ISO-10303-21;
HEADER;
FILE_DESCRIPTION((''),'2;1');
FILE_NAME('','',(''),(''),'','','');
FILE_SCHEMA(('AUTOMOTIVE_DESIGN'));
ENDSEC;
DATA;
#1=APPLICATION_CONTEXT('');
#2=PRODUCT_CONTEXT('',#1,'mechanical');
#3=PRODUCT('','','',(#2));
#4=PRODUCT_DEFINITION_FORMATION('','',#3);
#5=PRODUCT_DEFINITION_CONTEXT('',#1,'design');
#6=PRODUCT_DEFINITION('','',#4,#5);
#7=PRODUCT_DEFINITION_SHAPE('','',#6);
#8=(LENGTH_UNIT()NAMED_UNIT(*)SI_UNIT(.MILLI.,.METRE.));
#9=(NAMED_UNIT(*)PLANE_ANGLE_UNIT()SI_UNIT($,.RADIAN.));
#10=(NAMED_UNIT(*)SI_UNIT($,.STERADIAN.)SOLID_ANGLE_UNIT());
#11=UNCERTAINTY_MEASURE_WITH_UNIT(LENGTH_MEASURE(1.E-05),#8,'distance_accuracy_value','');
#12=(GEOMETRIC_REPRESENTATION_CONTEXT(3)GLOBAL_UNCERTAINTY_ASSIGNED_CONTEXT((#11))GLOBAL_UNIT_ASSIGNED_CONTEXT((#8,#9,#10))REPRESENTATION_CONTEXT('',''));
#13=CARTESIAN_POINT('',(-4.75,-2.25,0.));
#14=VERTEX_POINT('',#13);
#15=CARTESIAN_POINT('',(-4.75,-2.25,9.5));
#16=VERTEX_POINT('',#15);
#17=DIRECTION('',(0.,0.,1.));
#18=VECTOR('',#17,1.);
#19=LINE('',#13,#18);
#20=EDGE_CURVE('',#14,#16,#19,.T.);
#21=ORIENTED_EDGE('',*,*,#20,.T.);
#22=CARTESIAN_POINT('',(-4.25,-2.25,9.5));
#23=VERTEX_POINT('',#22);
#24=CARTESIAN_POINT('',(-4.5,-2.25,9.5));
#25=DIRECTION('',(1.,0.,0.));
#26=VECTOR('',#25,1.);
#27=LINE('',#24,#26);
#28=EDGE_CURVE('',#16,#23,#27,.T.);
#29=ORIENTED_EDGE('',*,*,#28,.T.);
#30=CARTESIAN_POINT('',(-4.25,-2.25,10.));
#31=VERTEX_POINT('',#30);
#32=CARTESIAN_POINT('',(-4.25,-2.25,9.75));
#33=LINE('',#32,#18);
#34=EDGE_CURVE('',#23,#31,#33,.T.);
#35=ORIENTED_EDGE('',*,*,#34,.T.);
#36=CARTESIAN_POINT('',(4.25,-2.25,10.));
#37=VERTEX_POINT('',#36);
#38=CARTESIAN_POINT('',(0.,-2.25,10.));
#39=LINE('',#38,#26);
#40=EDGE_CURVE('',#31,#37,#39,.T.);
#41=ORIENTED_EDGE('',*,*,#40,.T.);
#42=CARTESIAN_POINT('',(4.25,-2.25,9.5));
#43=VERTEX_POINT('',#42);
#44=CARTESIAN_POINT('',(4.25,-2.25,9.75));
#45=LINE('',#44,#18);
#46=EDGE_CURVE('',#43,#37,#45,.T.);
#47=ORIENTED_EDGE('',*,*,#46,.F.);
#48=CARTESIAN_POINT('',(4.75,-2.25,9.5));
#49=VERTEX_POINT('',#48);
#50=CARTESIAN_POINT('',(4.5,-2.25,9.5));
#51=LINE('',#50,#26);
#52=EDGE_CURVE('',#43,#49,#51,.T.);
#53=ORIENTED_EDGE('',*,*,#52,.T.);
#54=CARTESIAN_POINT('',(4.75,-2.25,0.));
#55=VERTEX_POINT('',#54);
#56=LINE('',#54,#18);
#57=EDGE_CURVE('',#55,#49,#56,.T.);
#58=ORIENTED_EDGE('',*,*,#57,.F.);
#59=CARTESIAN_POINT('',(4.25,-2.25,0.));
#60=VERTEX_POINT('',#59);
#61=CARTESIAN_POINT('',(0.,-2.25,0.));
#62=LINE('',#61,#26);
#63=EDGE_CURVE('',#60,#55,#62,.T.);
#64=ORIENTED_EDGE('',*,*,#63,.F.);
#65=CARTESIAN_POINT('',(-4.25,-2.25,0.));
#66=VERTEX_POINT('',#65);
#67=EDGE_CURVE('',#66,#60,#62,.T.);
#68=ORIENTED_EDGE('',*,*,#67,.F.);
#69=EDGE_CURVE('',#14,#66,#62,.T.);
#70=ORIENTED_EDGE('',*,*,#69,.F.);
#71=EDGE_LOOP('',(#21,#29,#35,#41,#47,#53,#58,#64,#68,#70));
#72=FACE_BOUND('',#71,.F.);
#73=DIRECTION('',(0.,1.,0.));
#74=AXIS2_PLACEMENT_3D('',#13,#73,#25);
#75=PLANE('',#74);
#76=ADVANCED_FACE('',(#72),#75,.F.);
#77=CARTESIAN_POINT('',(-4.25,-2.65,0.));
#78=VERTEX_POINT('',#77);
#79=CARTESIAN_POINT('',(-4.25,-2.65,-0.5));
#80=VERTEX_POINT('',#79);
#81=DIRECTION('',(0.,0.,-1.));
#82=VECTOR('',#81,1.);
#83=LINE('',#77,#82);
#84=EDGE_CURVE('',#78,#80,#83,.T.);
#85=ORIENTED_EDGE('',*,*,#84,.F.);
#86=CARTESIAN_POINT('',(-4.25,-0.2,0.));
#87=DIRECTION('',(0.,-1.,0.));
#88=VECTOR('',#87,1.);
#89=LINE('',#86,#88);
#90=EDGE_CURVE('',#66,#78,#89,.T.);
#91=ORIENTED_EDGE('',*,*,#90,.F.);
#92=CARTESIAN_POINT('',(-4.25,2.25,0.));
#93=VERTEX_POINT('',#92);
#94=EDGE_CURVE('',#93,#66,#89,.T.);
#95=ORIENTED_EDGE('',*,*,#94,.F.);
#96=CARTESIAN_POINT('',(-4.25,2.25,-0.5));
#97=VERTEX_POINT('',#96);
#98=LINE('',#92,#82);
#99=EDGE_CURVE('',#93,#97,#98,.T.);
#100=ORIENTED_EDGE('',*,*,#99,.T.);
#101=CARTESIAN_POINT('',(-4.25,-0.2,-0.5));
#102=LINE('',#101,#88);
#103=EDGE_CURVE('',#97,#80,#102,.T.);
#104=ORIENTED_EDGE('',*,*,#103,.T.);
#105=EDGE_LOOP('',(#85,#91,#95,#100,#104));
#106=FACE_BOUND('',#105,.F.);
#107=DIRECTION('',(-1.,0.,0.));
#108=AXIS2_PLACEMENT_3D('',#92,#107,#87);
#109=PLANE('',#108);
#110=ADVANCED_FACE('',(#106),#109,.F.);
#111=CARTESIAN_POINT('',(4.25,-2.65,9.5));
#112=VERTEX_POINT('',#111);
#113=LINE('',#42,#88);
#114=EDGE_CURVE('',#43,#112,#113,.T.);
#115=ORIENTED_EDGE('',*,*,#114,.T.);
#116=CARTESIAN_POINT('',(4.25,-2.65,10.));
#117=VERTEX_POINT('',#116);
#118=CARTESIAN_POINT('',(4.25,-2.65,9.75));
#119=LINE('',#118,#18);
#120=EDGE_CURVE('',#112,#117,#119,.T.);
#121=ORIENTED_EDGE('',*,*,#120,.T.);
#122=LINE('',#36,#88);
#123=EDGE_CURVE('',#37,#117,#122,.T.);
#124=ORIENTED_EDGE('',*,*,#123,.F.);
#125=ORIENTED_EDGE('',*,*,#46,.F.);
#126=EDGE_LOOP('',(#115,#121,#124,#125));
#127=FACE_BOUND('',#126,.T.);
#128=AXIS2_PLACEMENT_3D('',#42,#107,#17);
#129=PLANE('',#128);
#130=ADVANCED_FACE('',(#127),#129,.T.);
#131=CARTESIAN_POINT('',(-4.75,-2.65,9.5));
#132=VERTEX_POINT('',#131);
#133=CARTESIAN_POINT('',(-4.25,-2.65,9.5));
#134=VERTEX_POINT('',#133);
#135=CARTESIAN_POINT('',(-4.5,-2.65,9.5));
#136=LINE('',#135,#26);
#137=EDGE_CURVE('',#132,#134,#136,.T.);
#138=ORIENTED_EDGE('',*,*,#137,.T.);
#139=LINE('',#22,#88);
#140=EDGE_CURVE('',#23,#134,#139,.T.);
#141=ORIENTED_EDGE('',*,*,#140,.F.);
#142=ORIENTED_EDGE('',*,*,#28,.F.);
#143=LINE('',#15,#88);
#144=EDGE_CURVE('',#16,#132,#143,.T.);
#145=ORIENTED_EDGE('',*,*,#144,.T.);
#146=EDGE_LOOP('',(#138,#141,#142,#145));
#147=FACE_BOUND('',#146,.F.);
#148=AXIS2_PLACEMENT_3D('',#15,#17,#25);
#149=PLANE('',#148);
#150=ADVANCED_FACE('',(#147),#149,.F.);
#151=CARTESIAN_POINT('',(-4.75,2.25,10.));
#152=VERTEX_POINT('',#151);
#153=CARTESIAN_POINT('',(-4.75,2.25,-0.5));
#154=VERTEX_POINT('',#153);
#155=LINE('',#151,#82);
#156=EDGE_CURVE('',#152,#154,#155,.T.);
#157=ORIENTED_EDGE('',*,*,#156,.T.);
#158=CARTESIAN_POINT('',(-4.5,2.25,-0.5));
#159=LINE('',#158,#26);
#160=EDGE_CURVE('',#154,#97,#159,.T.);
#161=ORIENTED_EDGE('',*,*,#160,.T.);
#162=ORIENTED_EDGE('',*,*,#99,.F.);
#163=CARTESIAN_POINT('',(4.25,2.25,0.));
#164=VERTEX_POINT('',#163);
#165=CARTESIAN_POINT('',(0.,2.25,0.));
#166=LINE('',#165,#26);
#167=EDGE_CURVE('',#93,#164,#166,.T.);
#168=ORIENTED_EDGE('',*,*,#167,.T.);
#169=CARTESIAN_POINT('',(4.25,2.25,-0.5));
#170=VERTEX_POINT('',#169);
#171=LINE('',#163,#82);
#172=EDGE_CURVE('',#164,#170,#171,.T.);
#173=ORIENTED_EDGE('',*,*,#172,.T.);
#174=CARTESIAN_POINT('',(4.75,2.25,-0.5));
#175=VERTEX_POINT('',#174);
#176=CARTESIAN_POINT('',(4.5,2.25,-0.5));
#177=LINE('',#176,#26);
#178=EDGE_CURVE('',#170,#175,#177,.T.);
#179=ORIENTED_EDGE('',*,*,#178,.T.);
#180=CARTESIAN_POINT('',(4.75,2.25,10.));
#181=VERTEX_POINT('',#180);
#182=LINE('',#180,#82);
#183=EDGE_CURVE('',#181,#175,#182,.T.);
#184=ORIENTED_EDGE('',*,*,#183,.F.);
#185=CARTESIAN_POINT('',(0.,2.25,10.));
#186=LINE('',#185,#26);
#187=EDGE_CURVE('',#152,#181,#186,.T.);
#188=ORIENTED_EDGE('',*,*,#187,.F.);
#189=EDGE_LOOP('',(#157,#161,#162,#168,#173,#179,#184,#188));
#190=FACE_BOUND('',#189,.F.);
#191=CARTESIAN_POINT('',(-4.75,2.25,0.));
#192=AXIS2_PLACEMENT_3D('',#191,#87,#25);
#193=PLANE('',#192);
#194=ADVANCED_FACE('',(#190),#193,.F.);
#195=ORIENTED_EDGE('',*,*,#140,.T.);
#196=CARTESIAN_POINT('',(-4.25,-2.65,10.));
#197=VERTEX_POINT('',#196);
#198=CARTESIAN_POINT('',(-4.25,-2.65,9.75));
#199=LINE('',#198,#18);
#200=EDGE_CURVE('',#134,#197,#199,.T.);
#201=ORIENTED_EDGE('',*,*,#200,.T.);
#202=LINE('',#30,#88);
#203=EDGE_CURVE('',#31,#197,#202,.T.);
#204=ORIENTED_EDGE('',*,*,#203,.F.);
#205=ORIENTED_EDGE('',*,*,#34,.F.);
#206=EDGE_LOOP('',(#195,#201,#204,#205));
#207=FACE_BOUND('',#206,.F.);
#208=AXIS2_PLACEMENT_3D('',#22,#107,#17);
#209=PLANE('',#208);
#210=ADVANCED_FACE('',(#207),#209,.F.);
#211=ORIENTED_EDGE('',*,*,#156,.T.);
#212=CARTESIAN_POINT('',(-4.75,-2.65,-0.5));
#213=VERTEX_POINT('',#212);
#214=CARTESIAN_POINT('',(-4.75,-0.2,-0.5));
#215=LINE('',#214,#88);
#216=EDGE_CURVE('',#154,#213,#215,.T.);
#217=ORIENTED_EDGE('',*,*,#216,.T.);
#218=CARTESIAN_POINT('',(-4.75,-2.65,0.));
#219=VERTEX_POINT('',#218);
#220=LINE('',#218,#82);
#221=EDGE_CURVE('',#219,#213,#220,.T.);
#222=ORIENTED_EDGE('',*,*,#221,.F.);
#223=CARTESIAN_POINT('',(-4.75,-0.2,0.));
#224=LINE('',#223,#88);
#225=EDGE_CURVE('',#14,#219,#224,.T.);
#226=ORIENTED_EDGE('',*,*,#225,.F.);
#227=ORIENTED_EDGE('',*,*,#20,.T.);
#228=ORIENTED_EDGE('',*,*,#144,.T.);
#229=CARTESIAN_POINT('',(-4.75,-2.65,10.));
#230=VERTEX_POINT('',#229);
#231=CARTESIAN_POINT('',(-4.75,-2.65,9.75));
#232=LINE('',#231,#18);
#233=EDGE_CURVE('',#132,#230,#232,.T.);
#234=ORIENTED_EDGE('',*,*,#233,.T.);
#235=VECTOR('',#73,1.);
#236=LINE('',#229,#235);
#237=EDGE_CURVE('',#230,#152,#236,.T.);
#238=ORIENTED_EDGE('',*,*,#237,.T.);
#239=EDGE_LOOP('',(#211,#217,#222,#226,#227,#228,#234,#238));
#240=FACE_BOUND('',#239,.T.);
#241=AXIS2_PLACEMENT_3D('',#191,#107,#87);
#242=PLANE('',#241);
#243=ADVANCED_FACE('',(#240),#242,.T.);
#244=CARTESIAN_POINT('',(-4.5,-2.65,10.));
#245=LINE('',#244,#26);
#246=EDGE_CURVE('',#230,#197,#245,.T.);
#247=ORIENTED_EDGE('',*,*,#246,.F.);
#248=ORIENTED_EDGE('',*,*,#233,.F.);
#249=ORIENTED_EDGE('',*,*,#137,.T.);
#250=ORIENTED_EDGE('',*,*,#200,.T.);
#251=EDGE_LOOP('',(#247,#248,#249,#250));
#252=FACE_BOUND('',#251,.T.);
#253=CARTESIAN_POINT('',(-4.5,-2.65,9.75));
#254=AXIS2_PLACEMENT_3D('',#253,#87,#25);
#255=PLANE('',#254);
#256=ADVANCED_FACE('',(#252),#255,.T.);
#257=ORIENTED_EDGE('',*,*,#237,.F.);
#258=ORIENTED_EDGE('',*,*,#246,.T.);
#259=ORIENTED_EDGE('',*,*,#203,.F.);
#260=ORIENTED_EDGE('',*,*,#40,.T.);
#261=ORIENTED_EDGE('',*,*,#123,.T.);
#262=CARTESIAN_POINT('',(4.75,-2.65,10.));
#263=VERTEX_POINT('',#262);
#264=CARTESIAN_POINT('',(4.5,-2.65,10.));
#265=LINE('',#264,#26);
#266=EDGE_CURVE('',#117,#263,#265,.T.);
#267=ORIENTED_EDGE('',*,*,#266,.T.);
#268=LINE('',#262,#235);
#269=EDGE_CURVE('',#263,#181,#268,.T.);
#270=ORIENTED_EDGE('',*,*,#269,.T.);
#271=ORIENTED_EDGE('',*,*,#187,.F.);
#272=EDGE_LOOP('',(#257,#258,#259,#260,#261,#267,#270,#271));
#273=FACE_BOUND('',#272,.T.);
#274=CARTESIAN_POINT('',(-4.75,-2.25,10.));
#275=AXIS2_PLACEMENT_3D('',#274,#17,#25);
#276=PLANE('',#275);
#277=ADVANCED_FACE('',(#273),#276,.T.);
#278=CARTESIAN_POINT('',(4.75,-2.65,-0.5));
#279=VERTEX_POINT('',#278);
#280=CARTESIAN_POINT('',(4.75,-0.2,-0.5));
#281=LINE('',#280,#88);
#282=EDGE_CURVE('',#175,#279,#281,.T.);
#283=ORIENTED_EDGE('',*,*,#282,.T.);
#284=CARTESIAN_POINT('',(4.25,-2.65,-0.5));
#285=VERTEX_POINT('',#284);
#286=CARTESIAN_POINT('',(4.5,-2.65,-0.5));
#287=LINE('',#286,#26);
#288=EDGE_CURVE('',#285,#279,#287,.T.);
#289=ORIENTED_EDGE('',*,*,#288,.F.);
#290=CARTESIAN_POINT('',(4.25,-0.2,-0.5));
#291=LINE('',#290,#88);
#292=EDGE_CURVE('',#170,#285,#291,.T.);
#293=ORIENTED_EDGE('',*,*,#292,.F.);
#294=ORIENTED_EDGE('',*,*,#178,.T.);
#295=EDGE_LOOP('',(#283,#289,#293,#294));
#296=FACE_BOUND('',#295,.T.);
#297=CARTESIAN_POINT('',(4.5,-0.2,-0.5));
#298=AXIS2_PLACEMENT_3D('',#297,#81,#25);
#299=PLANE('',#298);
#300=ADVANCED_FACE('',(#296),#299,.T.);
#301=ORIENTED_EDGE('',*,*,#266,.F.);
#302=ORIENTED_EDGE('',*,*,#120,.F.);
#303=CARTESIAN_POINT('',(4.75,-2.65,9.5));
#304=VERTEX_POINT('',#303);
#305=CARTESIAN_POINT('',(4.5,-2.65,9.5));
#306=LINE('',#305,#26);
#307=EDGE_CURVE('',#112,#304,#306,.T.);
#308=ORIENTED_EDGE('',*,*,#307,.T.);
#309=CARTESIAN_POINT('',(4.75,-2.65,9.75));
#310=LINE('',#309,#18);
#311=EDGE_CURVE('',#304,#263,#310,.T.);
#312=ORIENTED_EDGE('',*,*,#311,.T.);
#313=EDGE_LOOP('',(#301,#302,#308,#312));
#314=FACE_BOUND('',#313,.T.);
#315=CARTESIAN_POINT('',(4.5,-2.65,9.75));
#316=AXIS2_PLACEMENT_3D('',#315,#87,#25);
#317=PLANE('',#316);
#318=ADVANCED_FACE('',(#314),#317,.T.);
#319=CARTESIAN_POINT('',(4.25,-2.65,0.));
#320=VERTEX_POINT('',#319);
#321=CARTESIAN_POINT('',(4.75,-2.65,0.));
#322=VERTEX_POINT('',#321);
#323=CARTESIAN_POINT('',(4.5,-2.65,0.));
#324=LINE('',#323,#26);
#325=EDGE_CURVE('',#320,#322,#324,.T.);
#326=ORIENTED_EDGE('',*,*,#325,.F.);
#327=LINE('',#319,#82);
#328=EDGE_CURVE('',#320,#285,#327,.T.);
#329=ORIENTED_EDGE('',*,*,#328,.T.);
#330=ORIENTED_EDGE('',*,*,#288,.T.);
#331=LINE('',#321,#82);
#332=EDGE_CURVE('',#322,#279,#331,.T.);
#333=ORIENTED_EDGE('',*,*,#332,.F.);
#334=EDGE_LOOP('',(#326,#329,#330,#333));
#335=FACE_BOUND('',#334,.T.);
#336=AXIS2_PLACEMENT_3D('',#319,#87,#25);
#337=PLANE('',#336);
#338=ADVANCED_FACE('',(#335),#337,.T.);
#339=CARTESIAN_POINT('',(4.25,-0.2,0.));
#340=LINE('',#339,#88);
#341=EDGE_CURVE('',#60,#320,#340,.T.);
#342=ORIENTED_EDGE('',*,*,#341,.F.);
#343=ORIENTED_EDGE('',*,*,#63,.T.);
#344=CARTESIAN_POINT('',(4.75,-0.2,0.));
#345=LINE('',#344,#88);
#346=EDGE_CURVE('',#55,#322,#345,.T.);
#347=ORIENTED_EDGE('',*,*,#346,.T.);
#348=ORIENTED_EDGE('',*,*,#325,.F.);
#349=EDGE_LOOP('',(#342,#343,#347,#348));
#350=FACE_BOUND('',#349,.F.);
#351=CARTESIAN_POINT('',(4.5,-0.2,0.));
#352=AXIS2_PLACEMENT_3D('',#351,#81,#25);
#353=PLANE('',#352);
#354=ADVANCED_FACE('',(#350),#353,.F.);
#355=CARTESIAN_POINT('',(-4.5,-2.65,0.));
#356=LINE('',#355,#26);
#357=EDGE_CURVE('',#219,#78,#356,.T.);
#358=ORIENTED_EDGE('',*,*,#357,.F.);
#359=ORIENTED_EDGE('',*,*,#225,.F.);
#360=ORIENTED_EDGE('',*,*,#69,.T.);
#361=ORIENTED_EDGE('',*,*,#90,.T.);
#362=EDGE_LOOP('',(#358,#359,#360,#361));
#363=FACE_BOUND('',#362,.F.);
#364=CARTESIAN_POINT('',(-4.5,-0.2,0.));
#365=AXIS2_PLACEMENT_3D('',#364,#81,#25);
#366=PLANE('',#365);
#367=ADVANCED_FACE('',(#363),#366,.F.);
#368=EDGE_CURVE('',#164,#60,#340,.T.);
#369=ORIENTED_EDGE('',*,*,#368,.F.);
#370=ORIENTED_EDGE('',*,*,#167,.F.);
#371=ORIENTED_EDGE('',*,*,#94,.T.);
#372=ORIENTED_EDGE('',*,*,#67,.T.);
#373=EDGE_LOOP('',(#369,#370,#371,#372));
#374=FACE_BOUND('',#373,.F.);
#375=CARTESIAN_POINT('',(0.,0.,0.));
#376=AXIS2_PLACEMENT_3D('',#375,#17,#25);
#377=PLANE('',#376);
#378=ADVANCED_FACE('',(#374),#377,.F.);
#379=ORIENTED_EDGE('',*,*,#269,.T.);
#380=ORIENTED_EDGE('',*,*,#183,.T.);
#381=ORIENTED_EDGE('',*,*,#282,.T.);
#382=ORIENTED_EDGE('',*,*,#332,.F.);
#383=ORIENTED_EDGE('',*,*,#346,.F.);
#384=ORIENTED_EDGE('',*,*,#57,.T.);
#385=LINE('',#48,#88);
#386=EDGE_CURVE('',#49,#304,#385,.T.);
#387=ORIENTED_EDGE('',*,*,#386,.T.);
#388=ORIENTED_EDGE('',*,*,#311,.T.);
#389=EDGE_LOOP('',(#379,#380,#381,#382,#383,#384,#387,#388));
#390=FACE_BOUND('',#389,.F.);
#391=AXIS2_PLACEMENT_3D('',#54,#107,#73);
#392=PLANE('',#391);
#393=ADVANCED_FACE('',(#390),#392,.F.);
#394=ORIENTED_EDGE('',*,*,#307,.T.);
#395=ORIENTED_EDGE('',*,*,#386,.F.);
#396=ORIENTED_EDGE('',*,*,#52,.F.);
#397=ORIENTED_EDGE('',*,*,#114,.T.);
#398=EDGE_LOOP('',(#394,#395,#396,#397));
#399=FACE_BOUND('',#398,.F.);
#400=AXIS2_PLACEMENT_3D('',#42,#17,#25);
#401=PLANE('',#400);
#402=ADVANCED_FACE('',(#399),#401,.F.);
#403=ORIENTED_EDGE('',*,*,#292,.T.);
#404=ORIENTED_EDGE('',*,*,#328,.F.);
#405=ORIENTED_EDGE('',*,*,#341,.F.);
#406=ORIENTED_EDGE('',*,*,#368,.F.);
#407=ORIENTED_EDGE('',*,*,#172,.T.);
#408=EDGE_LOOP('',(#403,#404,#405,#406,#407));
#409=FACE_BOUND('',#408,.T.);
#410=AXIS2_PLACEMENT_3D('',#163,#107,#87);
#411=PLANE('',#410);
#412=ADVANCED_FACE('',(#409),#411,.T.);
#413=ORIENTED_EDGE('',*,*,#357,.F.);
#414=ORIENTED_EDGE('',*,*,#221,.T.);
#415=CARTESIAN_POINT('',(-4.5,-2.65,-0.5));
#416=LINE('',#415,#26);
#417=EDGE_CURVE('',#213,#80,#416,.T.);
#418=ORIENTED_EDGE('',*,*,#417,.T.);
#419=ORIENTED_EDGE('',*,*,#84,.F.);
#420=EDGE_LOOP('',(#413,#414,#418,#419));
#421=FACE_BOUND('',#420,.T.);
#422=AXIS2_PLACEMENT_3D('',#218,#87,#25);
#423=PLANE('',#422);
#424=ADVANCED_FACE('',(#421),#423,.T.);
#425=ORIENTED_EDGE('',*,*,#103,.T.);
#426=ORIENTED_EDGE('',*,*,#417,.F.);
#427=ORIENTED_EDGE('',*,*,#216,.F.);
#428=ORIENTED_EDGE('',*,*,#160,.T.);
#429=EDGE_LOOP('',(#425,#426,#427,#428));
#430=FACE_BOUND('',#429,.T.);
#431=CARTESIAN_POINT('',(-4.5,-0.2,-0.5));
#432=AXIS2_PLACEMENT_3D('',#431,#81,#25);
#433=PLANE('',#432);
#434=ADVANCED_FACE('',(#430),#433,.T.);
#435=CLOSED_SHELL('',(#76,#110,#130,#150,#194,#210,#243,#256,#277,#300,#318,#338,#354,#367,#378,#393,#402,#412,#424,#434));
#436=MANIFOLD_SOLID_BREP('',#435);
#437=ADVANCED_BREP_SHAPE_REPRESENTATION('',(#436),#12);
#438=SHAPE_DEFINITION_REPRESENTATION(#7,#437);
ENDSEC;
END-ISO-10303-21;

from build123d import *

# Parameters (mm, degrees)
SKETCH015_W  = 9.5
SKETCH015_H  = 4.5
PAD007_DEPTH = 10
SKETCH014_W  = 0.5
SKETCH014_H  = 0.5
PAD008_DEPTH = 0.4
SKETCH017_W  = 0.5
SKETCH017_H  = 4.9
PAD010_DEPTH = 0.5


with BuildPart() as part:
    # Sketch015 → Pad007 (new body)
    with BuildSketch(Plane.XY):
        Rectangle(SKETCH015_W, SKETCH015_H)
    extrude(amount=PAD007_DEPTH)

    # Sketch014 (on Face3 of Pad007) → Pad008 (join)
    with BuildSketch(Plane.XZ.offset(2.25)):
        with Locations((-4.5, 9.75)):
            Rectangle(SKETCH014_W, SKETCH014_H)
        with Locations((4.5, 9.75)):
            Rectangle(SKETCH014_W, SKETCH014_H)
    extrude(amount=PAD008_DEPTH)

    # Sketch017 (on Face4 of Pad008) → Pad010 (join)
    with BuildSketch(Plane(origin=(0, 0, 0), x_dir=(1, 0, 0), z_dir=(0, 0, -1))):
        with Locations((-4.5, 0.2)):
            Rectangle(SKETCH017_W, SKETCH017_H)
        with Locations((4.5, 0.2)):
            Rectangle(SKETCH017_W, SKETCH017_H)
    extrude(amount=PAD010_DEPTH)


solid = part.part
